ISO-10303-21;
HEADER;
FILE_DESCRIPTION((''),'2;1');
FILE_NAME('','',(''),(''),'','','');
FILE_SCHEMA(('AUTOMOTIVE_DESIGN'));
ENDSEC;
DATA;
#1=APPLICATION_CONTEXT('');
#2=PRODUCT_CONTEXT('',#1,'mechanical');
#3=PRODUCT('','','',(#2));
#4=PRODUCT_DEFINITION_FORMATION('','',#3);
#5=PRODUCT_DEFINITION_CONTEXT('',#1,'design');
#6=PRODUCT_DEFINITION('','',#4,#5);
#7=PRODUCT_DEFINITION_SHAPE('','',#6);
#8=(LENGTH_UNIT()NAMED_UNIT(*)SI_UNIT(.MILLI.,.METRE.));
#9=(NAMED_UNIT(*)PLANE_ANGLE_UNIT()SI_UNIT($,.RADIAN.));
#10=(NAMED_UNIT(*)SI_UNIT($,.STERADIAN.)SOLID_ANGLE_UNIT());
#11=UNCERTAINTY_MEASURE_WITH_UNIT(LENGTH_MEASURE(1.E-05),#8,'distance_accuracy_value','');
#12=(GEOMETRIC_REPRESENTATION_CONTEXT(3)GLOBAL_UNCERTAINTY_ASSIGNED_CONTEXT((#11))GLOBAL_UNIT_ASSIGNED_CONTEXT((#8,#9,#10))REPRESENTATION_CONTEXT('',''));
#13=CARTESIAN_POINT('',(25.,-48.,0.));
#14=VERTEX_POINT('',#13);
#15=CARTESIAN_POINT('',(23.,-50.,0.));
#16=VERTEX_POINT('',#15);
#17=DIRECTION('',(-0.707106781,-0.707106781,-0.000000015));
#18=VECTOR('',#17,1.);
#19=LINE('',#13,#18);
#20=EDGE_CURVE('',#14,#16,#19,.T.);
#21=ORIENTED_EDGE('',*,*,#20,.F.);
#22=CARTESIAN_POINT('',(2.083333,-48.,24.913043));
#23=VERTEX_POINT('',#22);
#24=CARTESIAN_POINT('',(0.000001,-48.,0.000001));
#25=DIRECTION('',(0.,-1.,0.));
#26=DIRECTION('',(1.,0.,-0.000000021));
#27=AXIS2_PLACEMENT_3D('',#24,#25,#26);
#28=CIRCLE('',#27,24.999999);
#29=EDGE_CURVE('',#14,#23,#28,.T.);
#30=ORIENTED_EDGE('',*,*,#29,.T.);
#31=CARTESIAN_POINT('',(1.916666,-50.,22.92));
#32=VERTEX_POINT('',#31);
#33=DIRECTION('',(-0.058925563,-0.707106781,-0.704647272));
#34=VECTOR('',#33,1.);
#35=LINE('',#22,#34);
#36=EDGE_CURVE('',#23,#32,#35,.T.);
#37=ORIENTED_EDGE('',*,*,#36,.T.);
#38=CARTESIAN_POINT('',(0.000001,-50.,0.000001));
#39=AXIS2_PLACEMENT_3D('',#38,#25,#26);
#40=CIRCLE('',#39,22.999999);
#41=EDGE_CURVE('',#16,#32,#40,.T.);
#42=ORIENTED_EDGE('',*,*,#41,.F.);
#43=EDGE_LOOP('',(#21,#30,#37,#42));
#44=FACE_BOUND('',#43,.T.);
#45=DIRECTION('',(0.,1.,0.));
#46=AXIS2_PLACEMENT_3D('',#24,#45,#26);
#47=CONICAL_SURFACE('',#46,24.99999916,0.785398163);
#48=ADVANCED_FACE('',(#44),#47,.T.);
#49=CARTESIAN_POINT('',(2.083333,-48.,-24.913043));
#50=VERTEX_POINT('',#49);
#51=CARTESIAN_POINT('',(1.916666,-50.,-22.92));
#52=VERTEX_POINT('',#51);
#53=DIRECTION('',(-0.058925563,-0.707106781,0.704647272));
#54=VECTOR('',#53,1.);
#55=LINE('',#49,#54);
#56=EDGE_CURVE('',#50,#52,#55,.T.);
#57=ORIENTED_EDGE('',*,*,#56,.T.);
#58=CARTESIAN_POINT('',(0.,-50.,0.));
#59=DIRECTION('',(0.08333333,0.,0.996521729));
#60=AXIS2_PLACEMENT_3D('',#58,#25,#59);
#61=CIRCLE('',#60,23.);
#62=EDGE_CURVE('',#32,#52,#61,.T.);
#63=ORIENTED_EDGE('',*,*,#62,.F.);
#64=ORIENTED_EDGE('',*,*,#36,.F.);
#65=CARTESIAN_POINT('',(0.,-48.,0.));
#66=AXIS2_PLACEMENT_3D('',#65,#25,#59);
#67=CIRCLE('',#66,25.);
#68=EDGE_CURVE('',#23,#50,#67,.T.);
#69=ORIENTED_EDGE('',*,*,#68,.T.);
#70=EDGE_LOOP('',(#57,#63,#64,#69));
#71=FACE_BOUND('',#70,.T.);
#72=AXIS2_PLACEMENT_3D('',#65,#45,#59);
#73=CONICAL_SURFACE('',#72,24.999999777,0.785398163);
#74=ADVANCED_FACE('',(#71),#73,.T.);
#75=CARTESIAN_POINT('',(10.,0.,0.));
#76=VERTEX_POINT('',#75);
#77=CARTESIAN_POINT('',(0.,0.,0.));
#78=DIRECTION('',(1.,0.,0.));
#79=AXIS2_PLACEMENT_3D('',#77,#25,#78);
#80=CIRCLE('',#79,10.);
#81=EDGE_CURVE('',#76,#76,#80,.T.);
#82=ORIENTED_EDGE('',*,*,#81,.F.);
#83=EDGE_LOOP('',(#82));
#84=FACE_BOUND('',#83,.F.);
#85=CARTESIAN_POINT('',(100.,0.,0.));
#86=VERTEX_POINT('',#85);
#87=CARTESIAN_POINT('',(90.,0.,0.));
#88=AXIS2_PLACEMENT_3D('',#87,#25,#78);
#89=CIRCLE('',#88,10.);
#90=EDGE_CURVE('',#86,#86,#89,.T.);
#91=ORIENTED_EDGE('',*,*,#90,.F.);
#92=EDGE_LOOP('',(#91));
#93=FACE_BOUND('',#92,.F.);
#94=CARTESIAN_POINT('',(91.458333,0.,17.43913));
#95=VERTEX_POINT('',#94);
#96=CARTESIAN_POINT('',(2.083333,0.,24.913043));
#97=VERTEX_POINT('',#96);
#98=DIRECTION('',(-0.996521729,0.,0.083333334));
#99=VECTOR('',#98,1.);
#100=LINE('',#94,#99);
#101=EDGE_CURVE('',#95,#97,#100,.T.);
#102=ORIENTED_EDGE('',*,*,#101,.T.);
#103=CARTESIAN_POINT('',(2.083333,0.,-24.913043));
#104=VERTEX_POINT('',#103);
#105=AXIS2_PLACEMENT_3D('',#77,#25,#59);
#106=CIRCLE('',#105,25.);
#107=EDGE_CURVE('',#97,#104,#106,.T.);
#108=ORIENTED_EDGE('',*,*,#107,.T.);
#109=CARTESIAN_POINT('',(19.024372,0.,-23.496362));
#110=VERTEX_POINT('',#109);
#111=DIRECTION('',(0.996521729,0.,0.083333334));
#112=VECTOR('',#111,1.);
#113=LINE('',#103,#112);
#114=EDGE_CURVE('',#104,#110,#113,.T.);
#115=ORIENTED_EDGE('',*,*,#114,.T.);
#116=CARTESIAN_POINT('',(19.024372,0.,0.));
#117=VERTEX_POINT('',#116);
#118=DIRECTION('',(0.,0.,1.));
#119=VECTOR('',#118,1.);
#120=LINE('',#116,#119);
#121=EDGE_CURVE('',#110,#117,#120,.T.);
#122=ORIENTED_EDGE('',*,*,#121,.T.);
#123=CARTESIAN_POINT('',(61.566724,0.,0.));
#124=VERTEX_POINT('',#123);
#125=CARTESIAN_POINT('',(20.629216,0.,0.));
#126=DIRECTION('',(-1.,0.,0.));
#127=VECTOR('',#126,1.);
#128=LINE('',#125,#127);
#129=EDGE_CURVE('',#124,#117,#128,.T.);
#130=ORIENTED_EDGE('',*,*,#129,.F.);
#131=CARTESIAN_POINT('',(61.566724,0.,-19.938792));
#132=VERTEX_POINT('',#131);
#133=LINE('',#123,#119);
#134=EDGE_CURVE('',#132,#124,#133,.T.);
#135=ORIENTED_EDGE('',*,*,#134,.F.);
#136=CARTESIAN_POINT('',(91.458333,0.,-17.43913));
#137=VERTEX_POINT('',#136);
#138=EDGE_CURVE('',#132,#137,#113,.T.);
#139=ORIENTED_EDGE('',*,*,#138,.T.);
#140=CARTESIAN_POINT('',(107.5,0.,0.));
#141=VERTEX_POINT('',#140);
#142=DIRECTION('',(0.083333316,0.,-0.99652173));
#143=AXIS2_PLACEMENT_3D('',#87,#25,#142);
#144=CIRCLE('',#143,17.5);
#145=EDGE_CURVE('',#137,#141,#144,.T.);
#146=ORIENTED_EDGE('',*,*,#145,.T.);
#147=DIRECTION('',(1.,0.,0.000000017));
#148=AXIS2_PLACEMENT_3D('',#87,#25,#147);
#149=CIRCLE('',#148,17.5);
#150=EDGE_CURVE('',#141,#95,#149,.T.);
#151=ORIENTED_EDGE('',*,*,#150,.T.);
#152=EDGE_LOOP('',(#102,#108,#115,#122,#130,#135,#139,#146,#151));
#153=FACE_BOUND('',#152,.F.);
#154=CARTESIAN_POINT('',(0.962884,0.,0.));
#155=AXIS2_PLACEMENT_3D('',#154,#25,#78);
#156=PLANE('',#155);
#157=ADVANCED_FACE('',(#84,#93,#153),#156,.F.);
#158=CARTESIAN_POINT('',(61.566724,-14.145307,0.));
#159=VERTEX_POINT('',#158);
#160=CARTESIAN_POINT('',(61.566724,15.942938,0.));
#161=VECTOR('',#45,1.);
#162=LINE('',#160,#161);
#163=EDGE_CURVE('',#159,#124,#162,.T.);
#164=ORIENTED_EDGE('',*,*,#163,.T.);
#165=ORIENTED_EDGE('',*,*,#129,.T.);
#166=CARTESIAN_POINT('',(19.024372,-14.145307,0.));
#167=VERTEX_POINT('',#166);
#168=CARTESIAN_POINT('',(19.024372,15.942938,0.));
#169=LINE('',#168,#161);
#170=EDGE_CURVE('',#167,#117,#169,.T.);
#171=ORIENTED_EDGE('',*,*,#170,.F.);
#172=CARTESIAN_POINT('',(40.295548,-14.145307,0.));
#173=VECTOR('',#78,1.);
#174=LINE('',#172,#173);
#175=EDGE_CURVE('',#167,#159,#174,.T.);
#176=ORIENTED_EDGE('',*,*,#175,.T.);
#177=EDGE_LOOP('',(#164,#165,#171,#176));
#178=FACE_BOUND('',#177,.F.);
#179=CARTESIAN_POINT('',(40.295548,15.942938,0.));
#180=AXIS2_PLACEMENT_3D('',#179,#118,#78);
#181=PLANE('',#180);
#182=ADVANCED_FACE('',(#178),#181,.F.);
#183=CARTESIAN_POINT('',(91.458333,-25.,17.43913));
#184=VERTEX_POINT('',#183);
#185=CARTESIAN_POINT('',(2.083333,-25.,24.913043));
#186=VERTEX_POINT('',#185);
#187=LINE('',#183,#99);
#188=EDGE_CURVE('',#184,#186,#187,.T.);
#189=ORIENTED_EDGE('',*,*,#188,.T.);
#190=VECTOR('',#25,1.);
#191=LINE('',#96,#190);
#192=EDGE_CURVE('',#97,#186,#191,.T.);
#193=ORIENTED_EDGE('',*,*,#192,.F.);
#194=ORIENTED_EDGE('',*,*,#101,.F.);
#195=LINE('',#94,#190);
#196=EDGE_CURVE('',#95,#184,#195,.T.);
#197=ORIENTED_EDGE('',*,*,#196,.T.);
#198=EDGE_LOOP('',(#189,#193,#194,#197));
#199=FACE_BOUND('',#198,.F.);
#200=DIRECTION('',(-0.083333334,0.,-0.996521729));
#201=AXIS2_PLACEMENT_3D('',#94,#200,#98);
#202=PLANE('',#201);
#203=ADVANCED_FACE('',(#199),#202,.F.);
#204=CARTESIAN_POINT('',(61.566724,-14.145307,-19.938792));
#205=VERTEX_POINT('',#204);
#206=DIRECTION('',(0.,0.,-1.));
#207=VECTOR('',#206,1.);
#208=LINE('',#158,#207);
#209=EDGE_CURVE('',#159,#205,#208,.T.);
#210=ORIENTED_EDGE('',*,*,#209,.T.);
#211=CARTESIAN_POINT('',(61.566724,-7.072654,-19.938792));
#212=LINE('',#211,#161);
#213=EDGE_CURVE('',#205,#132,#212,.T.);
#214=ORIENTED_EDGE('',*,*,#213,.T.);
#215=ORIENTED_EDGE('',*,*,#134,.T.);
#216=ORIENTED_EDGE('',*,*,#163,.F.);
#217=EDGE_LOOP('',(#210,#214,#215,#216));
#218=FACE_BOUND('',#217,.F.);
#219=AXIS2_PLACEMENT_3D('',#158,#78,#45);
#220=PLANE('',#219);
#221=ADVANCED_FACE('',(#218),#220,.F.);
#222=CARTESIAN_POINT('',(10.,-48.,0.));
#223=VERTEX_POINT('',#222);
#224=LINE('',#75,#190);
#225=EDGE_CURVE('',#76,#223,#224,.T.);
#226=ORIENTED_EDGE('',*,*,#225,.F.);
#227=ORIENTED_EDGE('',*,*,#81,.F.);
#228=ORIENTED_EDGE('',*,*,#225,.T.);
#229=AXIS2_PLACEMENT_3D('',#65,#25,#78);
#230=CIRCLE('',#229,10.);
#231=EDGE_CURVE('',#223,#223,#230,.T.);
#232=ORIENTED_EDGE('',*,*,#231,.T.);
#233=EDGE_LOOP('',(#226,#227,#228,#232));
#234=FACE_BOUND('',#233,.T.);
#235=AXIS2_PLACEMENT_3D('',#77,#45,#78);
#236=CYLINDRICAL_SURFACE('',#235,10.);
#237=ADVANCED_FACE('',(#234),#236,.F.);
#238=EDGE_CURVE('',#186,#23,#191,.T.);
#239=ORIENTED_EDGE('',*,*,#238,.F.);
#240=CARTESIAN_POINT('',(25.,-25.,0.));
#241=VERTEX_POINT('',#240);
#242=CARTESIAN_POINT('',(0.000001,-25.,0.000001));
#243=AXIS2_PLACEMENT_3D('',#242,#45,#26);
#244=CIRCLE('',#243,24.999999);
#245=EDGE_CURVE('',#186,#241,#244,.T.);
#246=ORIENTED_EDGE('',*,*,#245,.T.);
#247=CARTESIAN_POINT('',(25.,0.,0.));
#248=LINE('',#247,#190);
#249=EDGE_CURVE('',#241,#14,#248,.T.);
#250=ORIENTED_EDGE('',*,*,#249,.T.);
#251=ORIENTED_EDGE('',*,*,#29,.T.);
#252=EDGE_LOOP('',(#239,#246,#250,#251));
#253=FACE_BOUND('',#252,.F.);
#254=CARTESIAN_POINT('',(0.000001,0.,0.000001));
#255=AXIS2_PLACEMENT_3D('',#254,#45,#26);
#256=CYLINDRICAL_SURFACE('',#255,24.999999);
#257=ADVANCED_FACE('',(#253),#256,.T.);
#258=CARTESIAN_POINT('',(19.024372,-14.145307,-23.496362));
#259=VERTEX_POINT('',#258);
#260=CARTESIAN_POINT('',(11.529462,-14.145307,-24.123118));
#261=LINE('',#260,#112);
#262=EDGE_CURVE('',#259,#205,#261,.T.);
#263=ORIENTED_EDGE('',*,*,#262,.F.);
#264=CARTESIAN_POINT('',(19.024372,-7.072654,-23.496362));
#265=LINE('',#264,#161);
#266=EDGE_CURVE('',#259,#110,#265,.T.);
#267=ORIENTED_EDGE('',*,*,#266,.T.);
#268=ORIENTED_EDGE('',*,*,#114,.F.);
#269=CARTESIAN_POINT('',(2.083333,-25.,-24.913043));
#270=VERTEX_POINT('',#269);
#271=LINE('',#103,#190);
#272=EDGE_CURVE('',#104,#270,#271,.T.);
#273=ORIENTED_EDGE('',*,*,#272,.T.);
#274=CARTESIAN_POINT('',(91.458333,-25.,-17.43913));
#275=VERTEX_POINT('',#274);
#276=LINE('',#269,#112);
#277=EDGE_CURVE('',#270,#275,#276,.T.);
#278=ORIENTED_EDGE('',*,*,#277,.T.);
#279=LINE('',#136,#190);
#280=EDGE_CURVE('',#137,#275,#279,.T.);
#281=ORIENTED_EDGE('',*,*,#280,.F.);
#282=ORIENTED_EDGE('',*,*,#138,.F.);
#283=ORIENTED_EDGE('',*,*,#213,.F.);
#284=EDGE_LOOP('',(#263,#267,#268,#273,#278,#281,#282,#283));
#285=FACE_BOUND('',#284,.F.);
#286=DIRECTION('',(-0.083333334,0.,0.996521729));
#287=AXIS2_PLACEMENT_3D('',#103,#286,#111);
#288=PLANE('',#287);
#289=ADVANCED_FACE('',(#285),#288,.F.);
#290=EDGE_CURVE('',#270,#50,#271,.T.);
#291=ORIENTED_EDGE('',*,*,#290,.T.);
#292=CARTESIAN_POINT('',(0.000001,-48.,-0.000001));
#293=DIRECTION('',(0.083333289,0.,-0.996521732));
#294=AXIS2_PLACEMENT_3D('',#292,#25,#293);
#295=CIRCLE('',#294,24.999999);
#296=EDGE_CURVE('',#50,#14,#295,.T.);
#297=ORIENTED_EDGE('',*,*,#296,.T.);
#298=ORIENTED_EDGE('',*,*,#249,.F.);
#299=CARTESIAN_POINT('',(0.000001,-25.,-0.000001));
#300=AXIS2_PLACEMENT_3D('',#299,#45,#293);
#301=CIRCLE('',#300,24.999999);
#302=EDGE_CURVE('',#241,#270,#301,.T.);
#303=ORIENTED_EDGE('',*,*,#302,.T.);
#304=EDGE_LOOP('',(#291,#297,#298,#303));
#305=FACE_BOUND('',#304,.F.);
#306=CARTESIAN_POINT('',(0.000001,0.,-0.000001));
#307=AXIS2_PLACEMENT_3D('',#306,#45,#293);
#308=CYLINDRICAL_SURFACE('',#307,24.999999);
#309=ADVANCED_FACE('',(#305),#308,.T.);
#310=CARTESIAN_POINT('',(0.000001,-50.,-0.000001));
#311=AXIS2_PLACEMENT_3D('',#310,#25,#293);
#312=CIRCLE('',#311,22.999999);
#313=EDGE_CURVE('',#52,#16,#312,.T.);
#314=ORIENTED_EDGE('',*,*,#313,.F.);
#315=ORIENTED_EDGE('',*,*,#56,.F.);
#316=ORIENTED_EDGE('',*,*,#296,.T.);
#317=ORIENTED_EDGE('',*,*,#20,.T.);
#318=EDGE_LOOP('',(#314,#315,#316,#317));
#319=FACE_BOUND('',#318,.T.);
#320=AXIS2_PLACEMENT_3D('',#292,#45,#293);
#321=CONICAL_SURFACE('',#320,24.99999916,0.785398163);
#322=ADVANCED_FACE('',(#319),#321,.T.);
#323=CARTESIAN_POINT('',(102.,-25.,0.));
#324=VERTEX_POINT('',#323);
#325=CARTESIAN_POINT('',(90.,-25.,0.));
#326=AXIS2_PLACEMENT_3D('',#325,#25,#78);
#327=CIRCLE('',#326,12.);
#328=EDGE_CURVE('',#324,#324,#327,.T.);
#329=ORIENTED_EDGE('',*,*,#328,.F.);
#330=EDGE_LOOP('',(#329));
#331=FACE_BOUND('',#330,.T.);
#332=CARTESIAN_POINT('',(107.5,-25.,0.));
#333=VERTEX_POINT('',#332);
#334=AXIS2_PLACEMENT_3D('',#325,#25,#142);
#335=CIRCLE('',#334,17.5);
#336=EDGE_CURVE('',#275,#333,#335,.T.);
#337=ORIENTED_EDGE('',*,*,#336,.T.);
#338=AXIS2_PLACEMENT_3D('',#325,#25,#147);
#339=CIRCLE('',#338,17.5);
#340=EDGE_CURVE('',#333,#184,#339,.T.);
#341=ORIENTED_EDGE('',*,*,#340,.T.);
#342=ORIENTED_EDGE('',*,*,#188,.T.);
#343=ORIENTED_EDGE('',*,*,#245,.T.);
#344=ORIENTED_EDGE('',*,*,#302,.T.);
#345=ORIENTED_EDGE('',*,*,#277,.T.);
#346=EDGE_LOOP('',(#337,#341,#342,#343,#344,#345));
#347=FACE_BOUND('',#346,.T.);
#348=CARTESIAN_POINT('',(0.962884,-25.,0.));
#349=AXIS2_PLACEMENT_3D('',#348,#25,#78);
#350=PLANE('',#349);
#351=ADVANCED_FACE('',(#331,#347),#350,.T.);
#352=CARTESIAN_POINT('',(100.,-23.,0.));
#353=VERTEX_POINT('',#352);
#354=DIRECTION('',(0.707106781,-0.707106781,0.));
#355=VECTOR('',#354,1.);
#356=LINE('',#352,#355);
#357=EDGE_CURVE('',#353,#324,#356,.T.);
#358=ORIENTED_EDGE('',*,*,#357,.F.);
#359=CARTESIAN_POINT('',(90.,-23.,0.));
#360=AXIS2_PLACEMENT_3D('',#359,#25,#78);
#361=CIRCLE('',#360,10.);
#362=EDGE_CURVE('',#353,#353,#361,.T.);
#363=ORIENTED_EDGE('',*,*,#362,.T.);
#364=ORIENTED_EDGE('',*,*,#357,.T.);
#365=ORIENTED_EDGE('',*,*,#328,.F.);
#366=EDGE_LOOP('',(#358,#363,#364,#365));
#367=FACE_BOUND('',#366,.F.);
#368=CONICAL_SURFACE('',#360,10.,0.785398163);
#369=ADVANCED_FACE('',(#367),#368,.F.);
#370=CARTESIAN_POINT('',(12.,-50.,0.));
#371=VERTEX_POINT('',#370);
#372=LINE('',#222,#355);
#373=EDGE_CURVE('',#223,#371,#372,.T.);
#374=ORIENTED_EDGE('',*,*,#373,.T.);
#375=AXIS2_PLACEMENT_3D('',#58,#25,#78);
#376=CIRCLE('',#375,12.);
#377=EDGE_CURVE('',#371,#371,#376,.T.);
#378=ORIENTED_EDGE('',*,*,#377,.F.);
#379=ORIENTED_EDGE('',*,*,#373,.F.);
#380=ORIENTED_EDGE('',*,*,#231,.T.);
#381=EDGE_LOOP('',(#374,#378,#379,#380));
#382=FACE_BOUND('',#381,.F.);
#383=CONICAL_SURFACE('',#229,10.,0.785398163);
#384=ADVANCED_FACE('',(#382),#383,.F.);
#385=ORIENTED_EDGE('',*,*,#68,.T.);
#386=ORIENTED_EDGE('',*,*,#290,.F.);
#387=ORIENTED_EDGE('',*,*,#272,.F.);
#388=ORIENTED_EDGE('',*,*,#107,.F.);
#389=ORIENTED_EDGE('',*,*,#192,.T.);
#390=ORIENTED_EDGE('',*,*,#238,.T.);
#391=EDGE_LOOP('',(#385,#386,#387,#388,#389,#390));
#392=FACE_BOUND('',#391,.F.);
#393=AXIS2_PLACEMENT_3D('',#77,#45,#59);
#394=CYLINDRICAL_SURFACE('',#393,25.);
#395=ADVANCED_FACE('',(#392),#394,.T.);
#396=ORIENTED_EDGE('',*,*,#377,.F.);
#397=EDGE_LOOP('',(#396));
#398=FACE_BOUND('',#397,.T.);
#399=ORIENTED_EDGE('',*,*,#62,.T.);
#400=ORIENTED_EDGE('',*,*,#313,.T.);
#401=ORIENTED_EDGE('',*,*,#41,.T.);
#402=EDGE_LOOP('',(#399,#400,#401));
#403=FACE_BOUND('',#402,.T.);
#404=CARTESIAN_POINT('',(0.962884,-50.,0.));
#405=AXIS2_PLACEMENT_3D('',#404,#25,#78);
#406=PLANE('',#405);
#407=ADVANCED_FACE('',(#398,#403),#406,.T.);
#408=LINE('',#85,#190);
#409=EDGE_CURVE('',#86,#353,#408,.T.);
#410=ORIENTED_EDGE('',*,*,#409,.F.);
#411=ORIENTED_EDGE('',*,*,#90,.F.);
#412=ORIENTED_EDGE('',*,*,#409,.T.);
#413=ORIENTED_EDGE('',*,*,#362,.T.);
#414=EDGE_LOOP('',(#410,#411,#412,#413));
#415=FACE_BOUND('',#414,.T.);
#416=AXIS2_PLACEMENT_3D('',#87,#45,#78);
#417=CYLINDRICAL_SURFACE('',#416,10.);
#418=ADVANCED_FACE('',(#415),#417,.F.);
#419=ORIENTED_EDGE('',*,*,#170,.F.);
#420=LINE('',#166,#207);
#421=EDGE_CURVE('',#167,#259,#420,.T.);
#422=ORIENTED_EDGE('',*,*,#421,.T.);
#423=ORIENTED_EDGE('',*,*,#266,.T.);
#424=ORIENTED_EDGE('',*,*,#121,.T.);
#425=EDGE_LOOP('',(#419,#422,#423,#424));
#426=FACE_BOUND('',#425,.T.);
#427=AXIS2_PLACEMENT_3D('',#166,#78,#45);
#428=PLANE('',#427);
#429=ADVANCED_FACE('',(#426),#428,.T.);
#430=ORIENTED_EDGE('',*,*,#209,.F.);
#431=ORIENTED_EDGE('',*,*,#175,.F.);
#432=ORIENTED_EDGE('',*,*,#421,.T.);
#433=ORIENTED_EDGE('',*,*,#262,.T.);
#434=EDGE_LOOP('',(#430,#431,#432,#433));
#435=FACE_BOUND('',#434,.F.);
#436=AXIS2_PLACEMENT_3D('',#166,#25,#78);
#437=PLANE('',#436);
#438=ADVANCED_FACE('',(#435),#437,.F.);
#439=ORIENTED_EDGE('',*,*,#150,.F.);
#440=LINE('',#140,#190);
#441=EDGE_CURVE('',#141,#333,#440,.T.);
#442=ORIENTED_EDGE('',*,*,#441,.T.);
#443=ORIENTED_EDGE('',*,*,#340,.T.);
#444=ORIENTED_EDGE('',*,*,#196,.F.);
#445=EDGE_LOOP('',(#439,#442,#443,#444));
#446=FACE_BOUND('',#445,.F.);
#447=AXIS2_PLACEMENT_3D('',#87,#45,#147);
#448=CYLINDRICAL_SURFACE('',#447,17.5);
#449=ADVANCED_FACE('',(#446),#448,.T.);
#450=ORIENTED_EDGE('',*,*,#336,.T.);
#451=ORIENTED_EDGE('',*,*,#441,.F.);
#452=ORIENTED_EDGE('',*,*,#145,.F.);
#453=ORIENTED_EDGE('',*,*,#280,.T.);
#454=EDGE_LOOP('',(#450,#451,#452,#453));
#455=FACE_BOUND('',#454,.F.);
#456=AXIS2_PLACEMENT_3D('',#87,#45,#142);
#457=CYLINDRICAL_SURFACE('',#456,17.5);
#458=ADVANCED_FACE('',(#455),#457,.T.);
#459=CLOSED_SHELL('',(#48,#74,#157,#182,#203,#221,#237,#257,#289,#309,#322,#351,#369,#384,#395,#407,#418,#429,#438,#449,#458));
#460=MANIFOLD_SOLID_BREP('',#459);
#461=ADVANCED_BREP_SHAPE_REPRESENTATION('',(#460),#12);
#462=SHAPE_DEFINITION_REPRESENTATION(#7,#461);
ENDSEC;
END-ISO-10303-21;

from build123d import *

# Parameters (mm, degrees)
F0_R     = 10
F1_DEPTH = 25
F2_DEPTH = 50
F3_SIZE  = 2
F4_W     = 42.542353
F4_H     = 60.176491
F5_DEPTH = 25


with BuildPart() as f1:
    # F0 (on Front) → F1 (new body)
    with BuildSketch(Plane.XZ):
        with BuildLine():
            ThreePointArc((2.083333, -24.913043), (18.399502, -16.92508), (25, 0))
            ThreePointArc((25, 0), (18.399502, 16.92508), (2.083333, 24.913043))
            ThreePointArc((2.083333, 24.913043), (-25, 0), (2.083333, -24.913043))
        make_face()
        Circle(F0_R, mode=Mode.SUBTRACT)
        with BuildLine():
            ThreePointArc((2.083333, 24.913043), (18.399502, 16.92508), (25, 0))
            ThreePointArc((25, 0), (18.399502, -16.92508), (2.083333, -24.913043))
            Line((2.083333, -24.913043), (91.458333, -17.43913))
            ThreePointArc((91.458333, -17.43913), (72.5, 0), (91.458333, 17.43913))
            Line((91.458333, 17.43913), (2.083333, 24.913043))
        make_face()
        with BuildLine():
            ThreePointArc((107.5, 0), (102.879651, 11.847556), (91.458333, 17.43913))
            ThreePointArc((91.458333, 17.43913), (72.5, 0), (91.458333, -17.43913))
            ThreePointArc((91.458333, -17.43913), (102.879651, -11.847556), (107.5, 0))
        make_face()
        with Locations((90, 0)):
            Circle(F0_R, mode=Mode.SUBTRACT)
    extrude(amount=F1_DEPTH)

    # F0 (on Front) → F2 (join)
    with BuildSketch(Plane.XZ):
        with BuildLine():
            ThreePointArc((2.083333, -24.913043), (18.399502, -16.92508), (25, 0))
            ThreePointArc((25, 0), (18.399502, 16.92508), (2.083333, 24.913043))
            ThreePointArc((2.083333, 24.913043), (-25, 0), (2.083333, -24.913043))
        make_face()
        Circle(F0_R, mode=Mode.SUBTRACT)
    extrude(amount=F2_DEPTH)

    # F3
    f3_edges = [f1.edges().sort_by_distance(p)[0] for p in [
        (-2.083333, -50, 24.913043),
        (-10, -50, 0),
        (80, -25, 0),
    ]]
    chamfer(f3_edges, length=F3_SIZE)

    # F4 (on Top) → F5 (cut)
    with BuildSketch(Plane.XY):
        with Locations((40.295548, 15.942938)):
            Rectangle(F4_W, F4_H)
    extrude(amount=-F5_DEPTH, mode=Mode.SUBTRACT)


solid = f1.part
